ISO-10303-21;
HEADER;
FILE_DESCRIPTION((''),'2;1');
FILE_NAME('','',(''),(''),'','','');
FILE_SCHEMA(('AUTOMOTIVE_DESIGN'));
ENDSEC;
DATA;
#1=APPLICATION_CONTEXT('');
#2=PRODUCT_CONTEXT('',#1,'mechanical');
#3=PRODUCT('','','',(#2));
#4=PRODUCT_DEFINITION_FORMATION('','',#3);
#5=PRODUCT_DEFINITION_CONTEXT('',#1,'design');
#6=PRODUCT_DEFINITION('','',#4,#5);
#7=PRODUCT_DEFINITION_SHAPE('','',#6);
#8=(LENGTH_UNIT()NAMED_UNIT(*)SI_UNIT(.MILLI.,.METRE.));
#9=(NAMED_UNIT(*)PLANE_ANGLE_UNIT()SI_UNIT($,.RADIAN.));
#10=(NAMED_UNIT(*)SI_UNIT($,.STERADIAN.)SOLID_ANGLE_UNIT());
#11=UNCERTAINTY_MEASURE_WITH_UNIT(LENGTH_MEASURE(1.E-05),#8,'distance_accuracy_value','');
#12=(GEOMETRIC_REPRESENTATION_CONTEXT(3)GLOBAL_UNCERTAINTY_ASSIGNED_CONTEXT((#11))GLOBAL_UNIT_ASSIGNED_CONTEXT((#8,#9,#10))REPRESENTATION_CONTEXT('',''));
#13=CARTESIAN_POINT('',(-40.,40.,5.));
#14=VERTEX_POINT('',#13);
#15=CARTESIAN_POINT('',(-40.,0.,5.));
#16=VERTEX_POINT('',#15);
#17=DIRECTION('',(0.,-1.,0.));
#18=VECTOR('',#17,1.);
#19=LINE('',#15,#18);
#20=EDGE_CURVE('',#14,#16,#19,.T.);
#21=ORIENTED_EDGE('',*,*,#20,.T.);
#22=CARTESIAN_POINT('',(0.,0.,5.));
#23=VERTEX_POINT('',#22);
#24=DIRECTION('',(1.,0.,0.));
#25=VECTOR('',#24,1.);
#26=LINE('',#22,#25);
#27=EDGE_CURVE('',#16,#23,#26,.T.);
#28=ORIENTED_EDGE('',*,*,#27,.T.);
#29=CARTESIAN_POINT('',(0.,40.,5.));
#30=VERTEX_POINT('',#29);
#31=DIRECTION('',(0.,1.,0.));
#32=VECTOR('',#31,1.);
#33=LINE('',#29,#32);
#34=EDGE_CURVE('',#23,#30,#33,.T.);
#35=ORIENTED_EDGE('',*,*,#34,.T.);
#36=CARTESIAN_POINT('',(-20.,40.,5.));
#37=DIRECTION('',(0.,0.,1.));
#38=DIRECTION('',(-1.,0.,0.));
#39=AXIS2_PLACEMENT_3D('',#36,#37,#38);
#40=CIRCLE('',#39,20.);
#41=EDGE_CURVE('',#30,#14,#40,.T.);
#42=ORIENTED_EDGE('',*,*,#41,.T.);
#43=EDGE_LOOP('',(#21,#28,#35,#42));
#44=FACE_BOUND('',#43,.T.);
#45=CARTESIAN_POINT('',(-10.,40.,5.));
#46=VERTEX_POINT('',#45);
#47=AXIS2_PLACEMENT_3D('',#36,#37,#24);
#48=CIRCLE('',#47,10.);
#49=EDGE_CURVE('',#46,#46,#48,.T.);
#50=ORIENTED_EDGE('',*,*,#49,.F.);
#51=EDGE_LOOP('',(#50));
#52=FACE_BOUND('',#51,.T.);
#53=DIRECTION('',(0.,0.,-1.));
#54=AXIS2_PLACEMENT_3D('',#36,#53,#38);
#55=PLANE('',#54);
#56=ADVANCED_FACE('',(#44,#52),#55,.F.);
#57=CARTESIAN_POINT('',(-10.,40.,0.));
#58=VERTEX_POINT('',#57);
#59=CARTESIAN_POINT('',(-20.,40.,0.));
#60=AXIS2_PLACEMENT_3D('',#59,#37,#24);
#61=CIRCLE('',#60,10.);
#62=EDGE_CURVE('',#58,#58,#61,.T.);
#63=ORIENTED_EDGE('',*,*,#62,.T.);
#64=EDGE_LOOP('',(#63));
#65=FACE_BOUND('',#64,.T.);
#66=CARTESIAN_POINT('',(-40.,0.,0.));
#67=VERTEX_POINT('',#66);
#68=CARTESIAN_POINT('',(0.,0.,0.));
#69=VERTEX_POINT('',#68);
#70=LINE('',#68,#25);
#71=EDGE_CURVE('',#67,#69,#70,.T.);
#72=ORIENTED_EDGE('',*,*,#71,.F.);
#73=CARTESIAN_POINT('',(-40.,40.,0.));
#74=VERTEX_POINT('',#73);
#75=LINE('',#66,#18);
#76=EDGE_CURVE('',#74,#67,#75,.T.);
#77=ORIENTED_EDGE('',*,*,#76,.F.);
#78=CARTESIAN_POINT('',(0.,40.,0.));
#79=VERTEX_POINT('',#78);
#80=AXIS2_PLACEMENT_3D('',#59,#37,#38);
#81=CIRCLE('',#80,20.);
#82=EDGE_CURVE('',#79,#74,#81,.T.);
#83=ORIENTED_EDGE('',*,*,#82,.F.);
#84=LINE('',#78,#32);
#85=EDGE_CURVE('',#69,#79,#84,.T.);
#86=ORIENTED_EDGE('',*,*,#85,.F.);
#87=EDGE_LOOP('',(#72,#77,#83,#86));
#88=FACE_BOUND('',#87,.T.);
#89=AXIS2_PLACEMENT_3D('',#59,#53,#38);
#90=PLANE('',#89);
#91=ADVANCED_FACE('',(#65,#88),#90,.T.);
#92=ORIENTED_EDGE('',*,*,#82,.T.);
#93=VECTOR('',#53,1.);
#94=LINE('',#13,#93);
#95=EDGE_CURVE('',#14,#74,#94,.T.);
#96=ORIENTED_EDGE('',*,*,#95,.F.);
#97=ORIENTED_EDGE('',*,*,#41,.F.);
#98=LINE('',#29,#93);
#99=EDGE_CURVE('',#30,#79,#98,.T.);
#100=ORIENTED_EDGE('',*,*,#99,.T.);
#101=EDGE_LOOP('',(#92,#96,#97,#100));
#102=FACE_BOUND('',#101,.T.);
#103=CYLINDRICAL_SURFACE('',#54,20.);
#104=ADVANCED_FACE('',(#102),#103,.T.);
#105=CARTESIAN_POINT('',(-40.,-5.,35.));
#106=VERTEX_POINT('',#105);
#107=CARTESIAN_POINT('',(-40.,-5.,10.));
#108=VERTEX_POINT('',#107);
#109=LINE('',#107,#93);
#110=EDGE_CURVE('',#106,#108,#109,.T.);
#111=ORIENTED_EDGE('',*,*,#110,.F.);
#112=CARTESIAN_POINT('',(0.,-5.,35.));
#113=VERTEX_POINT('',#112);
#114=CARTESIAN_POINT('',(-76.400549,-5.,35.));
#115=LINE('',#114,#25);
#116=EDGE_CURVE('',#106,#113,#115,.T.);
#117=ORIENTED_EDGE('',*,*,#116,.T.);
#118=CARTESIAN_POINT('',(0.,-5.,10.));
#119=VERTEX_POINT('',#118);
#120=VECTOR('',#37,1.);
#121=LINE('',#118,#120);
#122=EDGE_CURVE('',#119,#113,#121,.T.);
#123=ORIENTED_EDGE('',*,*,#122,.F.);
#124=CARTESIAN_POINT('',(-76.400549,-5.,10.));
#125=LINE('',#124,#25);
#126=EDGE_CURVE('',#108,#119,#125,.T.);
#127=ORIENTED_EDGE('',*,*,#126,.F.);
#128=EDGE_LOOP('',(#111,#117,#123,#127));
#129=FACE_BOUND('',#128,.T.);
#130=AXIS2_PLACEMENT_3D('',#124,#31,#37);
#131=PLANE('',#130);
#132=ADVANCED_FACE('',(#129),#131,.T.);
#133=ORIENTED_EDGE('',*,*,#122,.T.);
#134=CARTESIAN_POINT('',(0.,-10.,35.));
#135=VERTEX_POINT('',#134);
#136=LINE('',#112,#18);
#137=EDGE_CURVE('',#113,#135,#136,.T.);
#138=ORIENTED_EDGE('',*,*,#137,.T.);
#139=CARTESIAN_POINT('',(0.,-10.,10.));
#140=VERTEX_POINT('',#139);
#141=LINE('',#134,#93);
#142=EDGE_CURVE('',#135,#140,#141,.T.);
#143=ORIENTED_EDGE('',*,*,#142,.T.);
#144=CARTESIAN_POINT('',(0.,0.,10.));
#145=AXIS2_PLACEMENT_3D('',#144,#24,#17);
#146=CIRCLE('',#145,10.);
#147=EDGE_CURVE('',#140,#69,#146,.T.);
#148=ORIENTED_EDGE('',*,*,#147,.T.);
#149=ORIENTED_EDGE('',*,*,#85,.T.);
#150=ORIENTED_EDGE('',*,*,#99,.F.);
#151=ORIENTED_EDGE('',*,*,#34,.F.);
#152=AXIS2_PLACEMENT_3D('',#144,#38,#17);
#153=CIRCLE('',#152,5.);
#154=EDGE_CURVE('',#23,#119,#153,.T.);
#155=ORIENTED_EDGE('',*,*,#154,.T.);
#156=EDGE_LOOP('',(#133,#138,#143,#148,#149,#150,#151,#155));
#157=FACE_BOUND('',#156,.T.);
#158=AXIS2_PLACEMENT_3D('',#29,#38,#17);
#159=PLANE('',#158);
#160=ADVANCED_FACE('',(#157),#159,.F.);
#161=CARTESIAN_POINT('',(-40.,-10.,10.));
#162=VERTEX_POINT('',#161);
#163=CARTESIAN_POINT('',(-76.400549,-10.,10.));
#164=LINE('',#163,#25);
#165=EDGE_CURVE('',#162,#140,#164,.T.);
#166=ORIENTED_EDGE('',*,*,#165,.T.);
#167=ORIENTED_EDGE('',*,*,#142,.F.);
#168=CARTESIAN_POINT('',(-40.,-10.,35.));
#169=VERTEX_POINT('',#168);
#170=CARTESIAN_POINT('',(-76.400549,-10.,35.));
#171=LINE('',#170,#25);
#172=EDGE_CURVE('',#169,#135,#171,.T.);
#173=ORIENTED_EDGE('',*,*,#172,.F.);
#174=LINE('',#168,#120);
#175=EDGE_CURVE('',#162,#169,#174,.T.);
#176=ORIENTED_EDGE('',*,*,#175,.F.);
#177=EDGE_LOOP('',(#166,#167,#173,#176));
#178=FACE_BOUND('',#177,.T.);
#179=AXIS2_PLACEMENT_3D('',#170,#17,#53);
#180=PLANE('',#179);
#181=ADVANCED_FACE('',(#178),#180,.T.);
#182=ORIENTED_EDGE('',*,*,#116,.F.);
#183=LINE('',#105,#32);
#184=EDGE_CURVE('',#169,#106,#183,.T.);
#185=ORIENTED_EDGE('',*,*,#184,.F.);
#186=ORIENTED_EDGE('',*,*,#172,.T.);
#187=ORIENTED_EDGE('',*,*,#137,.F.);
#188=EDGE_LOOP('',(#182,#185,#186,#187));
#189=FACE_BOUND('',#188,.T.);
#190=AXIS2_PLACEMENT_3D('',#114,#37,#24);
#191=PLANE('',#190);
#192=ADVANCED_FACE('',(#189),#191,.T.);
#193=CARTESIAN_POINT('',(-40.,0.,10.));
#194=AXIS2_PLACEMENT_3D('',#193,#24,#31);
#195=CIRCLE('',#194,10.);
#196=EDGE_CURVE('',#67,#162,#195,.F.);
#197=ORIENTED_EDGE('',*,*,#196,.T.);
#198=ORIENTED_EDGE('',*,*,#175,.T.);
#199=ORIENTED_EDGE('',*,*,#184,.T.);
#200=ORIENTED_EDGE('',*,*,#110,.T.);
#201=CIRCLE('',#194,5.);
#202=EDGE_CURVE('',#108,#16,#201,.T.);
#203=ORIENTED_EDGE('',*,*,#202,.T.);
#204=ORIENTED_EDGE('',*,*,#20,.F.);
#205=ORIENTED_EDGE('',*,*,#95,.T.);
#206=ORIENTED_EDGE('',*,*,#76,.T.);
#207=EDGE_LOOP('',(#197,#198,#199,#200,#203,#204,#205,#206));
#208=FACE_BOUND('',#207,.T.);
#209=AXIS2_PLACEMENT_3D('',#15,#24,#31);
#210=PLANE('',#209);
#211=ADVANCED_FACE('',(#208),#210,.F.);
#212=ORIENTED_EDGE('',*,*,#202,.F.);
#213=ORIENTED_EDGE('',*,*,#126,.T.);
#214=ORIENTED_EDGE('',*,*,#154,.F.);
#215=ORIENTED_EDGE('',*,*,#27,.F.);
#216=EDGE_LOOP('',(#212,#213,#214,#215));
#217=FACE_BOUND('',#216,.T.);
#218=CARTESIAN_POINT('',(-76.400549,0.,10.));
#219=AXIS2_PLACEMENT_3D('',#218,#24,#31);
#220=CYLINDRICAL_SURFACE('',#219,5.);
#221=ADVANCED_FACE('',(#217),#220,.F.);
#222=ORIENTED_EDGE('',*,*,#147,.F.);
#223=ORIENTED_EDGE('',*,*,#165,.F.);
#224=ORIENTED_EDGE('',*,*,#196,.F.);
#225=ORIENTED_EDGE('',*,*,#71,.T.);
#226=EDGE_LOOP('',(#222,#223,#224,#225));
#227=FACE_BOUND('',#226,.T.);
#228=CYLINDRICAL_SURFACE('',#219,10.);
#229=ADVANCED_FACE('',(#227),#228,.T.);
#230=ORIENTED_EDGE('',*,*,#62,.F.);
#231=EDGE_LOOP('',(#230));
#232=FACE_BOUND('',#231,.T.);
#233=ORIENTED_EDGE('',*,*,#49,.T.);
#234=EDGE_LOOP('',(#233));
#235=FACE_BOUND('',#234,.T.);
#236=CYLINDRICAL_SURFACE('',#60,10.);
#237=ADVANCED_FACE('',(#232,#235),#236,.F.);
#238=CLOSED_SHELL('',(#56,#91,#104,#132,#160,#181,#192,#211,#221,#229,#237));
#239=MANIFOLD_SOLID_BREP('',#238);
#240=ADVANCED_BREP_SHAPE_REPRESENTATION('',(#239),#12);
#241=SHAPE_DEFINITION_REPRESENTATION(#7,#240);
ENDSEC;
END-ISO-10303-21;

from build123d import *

# Parameters (mm, degrees)
EXTRUDE1_DEPTH      = 5
SKETCH2_R           = 10
CUT_EXTRUDE1_DEPTH  = 6
BOSS_EXTRUDE1_DEPTH = 40


with BuildPart() as part:
    # Sketch1 → Extrude1 (new body)
    with BuildSketch(Plane.XY):
        with BuildLine():
            Line((0, 40), (0, 0))
            Line((0, 0), (-40, 0))
            Line((-40, 0), (-40, 40))
            ThreePointArc((-40, 40), (-20, 60), (0, 40))
        make_face()
    extrude(amount=EXTRUDE1_DEPTH)

    # Sketch2 → Cut-Extrude1 (cut, through all)
    with BuildSketch(Plane.XY.offset(5)):
        with Locations((-20, 40)):
            Circle(SKETCH2_R)
    extrude(amount=-CUT_EXTRUDE1_DEPTH, mode=Mode.SUBTRACT)

    # Sketch3 → Boss-Extrude1 (add)
    with BuildSketch(Plane(origin=(0, 0, 0), x_dir=(0, 0, -1), z_dir=(1, 0, 0))):
        with BuildLine():
            Line((-10, -5), (-35, -5))
            Line((-35, -5), (-35, -10))
            Line((-35, -10), (-10, -10))
            ThreePointArc((-10, -10), (-2.928932188, -7.071067812), (0, 0))
            Line((0, 0), (-5, 0))
            ThreePointArc((-5, 0), (-6.464466094, -3.535533906), (-10, -5))
        make_face()
    extrude(amount=-BOSS_EXTRUDE1_DEPTH)


solid = part.part
